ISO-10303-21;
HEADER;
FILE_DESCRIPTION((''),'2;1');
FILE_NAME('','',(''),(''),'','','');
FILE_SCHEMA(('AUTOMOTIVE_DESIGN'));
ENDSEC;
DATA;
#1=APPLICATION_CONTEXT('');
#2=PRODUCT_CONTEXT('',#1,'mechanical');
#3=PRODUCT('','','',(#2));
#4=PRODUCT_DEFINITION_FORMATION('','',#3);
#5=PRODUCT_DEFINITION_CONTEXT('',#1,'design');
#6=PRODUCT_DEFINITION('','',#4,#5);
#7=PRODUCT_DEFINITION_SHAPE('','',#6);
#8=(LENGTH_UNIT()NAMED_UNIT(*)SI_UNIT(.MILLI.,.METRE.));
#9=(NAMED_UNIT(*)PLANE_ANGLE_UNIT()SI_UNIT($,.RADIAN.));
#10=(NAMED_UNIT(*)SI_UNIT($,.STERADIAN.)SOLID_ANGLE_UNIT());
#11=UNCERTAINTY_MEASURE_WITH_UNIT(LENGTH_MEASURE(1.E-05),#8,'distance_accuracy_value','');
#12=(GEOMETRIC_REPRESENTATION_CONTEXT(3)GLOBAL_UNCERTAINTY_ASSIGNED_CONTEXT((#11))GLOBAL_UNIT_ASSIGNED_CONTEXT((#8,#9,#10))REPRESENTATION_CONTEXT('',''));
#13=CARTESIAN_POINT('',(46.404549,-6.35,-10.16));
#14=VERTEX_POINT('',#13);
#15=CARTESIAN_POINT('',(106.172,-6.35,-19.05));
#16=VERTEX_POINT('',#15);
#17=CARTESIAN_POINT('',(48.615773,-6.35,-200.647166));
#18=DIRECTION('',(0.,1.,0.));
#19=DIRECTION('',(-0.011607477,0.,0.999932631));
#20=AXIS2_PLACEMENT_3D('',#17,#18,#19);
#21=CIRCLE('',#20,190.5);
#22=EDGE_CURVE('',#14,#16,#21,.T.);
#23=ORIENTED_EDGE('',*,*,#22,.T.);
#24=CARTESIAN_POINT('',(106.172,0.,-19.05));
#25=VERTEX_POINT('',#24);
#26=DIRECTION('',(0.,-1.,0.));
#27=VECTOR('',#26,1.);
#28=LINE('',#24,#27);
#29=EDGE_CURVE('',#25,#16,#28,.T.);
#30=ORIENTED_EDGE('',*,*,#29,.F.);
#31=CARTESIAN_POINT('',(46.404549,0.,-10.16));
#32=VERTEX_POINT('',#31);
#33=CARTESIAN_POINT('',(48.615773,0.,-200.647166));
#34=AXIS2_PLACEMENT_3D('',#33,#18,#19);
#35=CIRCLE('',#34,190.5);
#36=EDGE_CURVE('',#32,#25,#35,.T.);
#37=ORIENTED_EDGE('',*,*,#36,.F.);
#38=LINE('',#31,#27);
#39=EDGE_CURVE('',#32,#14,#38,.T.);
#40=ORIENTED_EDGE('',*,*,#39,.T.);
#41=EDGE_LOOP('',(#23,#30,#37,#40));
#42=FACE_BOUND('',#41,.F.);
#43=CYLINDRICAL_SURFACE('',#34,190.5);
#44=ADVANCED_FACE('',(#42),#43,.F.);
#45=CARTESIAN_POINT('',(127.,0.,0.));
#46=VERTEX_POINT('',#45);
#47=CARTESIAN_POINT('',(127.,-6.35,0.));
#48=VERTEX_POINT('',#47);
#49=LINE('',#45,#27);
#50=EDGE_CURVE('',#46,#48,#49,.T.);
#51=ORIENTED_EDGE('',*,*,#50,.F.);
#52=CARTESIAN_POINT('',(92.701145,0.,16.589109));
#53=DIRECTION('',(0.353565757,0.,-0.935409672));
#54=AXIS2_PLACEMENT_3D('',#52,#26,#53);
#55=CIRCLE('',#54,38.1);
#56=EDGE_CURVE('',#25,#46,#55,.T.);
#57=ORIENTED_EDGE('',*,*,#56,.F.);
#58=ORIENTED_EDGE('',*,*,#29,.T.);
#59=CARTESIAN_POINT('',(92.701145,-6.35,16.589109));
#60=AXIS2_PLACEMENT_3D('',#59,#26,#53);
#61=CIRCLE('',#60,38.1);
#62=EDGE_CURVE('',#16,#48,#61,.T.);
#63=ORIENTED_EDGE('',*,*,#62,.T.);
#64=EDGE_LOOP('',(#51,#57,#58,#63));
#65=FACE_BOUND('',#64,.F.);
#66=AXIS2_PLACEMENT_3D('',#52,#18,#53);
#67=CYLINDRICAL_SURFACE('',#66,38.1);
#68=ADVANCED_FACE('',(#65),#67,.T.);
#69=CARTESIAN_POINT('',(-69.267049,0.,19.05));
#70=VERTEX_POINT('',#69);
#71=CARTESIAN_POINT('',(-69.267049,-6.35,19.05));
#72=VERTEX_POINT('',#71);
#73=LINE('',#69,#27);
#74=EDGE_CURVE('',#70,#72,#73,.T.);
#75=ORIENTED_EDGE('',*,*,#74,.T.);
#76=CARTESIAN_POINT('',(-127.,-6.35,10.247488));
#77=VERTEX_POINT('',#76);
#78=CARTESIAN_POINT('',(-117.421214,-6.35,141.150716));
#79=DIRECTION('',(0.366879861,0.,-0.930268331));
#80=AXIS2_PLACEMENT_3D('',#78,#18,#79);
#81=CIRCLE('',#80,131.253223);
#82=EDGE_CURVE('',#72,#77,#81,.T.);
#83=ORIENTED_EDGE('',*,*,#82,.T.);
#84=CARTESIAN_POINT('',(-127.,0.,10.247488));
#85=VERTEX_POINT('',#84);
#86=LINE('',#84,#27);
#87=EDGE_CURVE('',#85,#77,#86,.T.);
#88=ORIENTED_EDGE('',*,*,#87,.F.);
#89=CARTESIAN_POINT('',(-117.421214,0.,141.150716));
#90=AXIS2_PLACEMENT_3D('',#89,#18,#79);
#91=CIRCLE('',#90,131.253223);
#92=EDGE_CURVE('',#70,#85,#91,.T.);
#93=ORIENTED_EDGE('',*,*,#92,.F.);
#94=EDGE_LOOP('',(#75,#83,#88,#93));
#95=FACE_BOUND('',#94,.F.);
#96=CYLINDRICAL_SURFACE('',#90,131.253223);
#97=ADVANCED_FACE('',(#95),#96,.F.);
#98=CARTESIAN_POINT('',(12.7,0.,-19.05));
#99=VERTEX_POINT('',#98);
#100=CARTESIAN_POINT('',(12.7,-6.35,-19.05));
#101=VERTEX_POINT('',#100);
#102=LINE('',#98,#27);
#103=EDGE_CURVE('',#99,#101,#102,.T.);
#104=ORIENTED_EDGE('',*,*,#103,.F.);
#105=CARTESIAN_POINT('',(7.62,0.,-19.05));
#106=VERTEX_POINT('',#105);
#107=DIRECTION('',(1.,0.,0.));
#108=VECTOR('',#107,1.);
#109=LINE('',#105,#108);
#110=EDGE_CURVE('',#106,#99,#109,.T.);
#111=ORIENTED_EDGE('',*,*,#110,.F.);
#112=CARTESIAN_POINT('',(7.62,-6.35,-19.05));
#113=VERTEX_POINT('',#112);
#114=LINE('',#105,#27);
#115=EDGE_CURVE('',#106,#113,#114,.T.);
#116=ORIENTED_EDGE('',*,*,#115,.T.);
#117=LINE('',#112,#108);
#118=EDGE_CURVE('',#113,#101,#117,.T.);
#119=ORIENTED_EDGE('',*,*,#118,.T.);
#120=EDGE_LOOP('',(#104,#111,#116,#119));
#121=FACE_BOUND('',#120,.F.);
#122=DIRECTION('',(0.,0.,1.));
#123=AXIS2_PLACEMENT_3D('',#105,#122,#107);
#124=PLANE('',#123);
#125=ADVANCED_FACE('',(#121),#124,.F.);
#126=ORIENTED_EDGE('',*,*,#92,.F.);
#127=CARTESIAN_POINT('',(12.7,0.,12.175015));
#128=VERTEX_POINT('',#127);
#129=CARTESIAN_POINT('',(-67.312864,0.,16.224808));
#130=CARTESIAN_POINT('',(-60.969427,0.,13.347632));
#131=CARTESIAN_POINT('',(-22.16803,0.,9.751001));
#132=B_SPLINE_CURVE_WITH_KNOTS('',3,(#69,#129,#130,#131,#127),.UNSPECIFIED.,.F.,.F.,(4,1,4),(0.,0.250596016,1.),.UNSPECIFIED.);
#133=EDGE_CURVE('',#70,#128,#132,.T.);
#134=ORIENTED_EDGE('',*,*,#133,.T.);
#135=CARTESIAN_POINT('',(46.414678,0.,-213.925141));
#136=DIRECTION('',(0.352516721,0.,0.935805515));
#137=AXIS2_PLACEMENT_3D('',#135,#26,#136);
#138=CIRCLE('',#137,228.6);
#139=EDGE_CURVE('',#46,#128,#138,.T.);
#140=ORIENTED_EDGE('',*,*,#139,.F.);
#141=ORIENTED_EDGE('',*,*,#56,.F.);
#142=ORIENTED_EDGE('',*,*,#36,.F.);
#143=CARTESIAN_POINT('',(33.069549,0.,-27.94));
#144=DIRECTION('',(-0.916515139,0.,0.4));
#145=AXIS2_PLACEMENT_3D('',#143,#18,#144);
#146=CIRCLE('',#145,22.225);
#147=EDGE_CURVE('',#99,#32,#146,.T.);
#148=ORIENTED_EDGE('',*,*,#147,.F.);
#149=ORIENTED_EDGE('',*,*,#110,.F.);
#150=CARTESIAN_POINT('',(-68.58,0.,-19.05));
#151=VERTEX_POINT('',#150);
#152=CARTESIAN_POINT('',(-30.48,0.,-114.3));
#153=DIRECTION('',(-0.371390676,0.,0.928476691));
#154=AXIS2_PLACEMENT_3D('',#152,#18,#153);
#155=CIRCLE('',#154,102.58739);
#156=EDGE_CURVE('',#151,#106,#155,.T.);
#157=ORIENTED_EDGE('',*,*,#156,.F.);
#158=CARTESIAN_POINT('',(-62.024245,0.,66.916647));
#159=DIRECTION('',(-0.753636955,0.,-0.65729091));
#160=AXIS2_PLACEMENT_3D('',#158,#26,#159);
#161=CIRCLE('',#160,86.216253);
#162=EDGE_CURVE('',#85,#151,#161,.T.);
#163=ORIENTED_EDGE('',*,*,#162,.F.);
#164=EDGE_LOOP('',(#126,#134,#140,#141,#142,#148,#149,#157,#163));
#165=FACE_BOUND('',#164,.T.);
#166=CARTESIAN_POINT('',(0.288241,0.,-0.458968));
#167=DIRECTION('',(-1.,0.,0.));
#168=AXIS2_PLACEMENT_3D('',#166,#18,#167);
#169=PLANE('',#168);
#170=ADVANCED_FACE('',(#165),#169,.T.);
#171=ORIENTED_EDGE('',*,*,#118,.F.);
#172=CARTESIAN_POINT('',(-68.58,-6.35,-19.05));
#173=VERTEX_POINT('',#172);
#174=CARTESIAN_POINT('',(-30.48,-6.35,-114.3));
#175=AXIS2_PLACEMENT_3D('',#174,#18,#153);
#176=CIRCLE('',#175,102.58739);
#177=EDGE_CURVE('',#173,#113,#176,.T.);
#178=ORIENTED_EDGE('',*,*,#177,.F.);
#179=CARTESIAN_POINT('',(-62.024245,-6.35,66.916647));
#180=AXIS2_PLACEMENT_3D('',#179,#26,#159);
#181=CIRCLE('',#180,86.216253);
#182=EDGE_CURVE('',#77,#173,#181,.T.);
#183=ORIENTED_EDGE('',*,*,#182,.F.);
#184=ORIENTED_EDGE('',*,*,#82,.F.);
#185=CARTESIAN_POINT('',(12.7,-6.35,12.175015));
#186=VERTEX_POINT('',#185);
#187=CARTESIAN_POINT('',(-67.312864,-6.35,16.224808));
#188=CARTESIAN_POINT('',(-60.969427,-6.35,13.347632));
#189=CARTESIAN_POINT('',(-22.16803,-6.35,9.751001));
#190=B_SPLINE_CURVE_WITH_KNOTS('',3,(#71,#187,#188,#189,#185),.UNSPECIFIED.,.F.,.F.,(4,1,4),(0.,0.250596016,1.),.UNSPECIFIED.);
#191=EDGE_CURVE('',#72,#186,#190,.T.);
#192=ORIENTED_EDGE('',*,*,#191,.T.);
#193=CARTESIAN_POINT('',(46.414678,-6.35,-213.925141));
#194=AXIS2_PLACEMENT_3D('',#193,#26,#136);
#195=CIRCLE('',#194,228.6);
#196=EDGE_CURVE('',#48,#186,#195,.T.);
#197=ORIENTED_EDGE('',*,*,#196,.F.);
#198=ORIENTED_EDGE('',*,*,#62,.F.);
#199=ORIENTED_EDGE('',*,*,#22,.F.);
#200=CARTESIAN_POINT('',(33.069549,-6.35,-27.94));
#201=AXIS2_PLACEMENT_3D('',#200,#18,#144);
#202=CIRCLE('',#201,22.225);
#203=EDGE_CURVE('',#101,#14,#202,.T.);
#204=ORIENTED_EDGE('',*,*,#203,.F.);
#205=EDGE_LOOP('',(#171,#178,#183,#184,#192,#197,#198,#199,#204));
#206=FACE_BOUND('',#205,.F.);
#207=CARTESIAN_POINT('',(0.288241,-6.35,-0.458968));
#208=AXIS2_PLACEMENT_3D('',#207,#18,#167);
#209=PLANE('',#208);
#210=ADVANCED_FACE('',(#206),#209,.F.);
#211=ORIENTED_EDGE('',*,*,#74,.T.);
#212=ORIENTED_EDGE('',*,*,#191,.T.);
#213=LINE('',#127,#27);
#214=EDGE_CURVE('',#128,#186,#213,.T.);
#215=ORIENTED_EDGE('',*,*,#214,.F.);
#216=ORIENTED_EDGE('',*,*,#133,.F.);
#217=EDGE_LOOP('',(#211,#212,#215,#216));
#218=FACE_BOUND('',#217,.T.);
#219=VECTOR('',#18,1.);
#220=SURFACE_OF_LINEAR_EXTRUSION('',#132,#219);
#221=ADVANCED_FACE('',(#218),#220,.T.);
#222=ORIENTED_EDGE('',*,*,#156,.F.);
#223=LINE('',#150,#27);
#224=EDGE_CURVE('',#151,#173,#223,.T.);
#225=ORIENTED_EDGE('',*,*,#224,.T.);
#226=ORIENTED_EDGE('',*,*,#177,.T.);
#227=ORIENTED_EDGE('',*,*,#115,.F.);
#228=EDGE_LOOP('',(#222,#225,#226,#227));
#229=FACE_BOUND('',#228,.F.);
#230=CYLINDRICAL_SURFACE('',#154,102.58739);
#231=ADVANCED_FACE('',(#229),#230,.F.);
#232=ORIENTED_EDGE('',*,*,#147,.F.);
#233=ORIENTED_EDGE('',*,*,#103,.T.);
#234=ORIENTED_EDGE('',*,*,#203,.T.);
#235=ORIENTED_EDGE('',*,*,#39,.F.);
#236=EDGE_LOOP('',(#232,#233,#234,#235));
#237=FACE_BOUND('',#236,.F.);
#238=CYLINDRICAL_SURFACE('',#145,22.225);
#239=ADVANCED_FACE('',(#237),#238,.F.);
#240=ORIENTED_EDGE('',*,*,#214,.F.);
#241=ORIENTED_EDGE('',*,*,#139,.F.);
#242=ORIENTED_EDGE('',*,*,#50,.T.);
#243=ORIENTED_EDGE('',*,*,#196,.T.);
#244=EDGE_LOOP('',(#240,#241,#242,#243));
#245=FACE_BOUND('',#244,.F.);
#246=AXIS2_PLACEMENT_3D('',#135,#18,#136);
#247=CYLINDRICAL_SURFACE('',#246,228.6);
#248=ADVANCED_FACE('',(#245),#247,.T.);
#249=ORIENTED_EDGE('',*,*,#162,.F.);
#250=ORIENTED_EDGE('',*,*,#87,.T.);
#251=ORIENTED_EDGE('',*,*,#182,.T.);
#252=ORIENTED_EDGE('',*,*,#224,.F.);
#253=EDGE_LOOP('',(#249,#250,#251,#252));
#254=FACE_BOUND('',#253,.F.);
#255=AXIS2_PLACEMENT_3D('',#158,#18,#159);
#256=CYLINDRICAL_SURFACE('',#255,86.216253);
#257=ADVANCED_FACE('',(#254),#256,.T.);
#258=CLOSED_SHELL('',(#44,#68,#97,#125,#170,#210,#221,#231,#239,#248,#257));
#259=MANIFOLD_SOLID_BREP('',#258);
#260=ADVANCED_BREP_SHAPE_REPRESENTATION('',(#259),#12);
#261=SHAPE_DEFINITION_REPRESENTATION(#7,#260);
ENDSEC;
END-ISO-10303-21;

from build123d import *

# Parameters (mm, degrees)
F1_DEPTH = 6.35


with BuildPart() as f1:
    # F0 (on Front) → F1 (new body)
    with BuildSketch(Plane.XZ):
        with BuildLine():
            add(Edge.make_bspline(
                [(-69.2670494318, 19.05), (-67.3128640728, 16.2248080447), (-60.969426566, 13.3476320625), (-22.1680297811, 9.7510011569), (12.7, 12.1750152693)],
                knots=[0, 0, 0, 0, 0.2505960164, 1, 1, 1, 1], degree=3))
            ThreePointArc((-69.2670494318, 19.05), (-97.6377356755, 11.397017146), (-127, 10.2474875748))
            ThreePointArc((-127, 10.2474875748), (-100.6736295618, -10.1512932616), (-68.58, -19.05))
            ThreePointArc((-68.58, -19.05), (-30.48, -11.7126104241), (7.62, -19.05))
            Line((7.62, -19.05), (12.7, -19.05))
            ThreePointArc((12.7, -19.05), (27.4012824935, -6.4499702137), (46.4045489641, -10.16))
            ThreePointArc((46.4045489641, -10.16), (76.642998398, -12.2201918698), (106.172, -19.05))
            ThreePointArc((106.172, -19.05), (118.4151863409, -11.5249103993), (127, 0))
            ThreePointArc((127, 0), (70.6277336889, 13.3889326164), (12.7, 12.1750152693))
        make_face()
    extrude(amount=F1_DEPTH)


solid = f1.part
